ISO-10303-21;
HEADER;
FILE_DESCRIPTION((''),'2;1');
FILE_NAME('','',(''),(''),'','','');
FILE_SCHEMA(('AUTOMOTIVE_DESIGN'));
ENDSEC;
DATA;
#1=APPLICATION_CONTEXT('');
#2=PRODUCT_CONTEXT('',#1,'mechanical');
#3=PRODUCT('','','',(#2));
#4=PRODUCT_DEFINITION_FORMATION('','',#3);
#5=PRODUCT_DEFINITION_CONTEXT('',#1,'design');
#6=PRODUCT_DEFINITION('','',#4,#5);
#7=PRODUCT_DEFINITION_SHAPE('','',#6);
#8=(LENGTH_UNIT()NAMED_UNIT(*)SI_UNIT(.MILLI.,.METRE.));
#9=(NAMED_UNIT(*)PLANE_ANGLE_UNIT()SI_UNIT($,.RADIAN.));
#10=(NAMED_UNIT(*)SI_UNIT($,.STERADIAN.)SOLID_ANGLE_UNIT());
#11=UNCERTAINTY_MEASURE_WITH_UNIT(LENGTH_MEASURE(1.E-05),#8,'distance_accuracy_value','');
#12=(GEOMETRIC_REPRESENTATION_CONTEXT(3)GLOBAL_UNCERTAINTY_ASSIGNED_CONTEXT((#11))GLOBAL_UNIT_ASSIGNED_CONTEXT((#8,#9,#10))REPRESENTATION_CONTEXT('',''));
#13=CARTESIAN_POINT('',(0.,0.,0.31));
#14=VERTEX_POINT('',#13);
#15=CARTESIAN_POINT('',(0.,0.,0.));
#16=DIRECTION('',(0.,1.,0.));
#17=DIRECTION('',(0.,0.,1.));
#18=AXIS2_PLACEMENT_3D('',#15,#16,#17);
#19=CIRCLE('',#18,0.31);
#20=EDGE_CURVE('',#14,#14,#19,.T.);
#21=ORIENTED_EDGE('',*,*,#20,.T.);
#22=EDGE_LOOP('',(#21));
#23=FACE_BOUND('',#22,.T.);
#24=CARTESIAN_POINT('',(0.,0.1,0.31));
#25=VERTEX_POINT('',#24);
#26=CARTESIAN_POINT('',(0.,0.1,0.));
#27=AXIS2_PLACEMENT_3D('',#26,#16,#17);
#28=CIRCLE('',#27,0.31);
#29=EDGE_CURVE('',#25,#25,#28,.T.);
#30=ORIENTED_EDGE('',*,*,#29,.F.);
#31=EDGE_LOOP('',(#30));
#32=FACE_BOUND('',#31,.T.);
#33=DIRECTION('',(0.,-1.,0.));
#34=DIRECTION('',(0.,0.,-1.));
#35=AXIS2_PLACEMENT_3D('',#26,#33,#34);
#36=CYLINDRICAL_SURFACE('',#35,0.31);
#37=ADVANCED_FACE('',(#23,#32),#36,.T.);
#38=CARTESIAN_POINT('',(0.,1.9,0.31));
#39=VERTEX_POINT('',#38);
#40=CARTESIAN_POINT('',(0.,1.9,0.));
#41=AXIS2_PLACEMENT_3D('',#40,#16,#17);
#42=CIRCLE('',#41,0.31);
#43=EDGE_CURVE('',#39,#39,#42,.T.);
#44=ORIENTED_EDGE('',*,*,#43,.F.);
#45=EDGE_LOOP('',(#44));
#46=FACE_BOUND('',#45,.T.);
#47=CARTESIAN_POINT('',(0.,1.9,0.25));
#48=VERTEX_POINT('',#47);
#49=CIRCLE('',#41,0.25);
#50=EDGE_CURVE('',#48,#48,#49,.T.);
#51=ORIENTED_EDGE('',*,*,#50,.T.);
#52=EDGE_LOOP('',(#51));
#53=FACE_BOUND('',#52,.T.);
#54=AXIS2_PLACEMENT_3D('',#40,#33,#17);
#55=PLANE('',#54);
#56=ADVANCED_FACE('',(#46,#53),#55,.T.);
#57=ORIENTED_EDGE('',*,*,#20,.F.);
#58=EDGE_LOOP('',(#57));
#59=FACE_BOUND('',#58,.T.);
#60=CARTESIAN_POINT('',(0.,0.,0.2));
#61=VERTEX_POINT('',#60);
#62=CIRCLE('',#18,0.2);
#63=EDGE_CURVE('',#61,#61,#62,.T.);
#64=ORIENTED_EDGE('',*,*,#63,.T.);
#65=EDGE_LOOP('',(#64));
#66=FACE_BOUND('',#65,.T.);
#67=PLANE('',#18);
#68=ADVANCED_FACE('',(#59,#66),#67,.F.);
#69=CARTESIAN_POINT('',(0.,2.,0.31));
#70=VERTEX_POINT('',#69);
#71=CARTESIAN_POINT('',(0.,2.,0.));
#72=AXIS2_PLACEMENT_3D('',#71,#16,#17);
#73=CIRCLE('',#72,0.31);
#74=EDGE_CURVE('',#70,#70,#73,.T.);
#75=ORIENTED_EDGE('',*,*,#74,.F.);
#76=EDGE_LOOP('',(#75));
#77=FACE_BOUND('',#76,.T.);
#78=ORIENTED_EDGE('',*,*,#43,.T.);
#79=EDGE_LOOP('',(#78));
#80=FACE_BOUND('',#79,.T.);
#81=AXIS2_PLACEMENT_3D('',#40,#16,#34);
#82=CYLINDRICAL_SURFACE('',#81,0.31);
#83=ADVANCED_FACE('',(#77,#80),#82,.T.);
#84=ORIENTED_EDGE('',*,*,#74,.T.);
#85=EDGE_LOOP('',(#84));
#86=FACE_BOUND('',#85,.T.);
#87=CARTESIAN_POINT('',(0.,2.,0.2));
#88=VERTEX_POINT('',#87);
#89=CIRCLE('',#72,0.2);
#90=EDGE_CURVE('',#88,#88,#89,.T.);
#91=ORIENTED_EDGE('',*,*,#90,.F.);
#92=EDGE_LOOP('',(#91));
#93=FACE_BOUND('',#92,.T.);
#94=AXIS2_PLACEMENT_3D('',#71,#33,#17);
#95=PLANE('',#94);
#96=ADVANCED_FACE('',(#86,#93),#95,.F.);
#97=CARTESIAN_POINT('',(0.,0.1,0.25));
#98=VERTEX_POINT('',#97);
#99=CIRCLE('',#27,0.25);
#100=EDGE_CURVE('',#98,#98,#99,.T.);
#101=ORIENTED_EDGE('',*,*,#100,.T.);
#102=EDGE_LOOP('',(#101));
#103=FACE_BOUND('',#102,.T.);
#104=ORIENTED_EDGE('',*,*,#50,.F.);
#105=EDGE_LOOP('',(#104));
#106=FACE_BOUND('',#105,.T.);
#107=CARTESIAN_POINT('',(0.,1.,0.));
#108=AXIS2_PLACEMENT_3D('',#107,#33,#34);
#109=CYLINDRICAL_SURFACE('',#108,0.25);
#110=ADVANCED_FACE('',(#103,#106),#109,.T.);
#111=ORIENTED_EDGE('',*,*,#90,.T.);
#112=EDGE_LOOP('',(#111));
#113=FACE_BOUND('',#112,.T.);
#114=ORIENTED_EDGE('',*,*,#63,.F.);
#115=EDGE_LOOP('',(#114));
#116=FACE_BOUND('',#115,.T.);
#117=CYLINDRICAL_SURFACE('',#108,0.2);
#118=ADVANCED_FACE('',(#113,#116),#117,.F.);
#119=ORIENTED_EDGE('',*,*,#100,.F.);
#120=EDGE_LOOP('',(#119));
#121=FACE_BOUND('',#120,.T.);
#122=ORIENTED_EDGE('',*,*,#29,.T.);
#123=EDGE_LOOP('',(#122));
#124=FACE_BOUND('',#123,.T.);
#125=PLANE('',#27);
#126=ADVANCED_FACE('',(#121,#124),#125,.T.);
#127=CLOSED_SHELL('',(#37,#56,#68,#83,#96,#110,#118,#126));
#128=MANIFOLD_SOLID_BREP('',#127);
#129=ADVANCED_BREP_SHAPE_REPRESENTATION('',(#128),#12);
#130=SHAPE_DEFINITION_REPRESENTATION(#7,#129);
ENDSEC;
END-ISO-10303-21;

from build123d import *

# Parameters (mm, degrees)
SKETCH3_R   = 0.25
SKETCH3_R_2 = 0.2
SKETCH6_R   = 0.31
SKETCH6_R_2 = 0.21


with BuildPart() as part:
    # Sweep-Thin1: sweep along a path in Sketch1
    with BuildLine(Plane.XY) as sweep_thin1_path:
        Line((0, 0), (0, 1))
    # Sketch3 → Sweep-Thin1 (sweep)
    with BuildSketch(Plane(origin=(0, 0, 0), x_dir=(1, 0, 0), z_dir=(0, 1, 0))):
        Circle(SKETCH3_R)
        Circle(SKETCH3_R_2, mode=Mode.SUBTRACT)
    sweep(path=sweep_thin1_path.line)

    # Sweep-Thin2: sweep along a path in Sketch5
    with BuildLine(Plane.XY) as sweep_thin2_path:
        Line((0, 0), (0, 0.1))
    # Sketch6 → Sweep-Thin2 (sweep)
    with BuildSketch(Plane(origin=(0, 0, 0), x_dir=(1, 0, 0), z_dir=(0, 1, 0))):
        Circle(SKETCH6_R)
        Circle(SKETCH6_R_2, mode=Mode.SUBTRACT)
    sweep(path=sweep_thin2_path.line)

    # Mirror2: part across plane


with BuildPart() as part_1:
    add(part.part)
    add(part.part.mirror(Plane.ZX.offset(1)))


solid = part_1.part
